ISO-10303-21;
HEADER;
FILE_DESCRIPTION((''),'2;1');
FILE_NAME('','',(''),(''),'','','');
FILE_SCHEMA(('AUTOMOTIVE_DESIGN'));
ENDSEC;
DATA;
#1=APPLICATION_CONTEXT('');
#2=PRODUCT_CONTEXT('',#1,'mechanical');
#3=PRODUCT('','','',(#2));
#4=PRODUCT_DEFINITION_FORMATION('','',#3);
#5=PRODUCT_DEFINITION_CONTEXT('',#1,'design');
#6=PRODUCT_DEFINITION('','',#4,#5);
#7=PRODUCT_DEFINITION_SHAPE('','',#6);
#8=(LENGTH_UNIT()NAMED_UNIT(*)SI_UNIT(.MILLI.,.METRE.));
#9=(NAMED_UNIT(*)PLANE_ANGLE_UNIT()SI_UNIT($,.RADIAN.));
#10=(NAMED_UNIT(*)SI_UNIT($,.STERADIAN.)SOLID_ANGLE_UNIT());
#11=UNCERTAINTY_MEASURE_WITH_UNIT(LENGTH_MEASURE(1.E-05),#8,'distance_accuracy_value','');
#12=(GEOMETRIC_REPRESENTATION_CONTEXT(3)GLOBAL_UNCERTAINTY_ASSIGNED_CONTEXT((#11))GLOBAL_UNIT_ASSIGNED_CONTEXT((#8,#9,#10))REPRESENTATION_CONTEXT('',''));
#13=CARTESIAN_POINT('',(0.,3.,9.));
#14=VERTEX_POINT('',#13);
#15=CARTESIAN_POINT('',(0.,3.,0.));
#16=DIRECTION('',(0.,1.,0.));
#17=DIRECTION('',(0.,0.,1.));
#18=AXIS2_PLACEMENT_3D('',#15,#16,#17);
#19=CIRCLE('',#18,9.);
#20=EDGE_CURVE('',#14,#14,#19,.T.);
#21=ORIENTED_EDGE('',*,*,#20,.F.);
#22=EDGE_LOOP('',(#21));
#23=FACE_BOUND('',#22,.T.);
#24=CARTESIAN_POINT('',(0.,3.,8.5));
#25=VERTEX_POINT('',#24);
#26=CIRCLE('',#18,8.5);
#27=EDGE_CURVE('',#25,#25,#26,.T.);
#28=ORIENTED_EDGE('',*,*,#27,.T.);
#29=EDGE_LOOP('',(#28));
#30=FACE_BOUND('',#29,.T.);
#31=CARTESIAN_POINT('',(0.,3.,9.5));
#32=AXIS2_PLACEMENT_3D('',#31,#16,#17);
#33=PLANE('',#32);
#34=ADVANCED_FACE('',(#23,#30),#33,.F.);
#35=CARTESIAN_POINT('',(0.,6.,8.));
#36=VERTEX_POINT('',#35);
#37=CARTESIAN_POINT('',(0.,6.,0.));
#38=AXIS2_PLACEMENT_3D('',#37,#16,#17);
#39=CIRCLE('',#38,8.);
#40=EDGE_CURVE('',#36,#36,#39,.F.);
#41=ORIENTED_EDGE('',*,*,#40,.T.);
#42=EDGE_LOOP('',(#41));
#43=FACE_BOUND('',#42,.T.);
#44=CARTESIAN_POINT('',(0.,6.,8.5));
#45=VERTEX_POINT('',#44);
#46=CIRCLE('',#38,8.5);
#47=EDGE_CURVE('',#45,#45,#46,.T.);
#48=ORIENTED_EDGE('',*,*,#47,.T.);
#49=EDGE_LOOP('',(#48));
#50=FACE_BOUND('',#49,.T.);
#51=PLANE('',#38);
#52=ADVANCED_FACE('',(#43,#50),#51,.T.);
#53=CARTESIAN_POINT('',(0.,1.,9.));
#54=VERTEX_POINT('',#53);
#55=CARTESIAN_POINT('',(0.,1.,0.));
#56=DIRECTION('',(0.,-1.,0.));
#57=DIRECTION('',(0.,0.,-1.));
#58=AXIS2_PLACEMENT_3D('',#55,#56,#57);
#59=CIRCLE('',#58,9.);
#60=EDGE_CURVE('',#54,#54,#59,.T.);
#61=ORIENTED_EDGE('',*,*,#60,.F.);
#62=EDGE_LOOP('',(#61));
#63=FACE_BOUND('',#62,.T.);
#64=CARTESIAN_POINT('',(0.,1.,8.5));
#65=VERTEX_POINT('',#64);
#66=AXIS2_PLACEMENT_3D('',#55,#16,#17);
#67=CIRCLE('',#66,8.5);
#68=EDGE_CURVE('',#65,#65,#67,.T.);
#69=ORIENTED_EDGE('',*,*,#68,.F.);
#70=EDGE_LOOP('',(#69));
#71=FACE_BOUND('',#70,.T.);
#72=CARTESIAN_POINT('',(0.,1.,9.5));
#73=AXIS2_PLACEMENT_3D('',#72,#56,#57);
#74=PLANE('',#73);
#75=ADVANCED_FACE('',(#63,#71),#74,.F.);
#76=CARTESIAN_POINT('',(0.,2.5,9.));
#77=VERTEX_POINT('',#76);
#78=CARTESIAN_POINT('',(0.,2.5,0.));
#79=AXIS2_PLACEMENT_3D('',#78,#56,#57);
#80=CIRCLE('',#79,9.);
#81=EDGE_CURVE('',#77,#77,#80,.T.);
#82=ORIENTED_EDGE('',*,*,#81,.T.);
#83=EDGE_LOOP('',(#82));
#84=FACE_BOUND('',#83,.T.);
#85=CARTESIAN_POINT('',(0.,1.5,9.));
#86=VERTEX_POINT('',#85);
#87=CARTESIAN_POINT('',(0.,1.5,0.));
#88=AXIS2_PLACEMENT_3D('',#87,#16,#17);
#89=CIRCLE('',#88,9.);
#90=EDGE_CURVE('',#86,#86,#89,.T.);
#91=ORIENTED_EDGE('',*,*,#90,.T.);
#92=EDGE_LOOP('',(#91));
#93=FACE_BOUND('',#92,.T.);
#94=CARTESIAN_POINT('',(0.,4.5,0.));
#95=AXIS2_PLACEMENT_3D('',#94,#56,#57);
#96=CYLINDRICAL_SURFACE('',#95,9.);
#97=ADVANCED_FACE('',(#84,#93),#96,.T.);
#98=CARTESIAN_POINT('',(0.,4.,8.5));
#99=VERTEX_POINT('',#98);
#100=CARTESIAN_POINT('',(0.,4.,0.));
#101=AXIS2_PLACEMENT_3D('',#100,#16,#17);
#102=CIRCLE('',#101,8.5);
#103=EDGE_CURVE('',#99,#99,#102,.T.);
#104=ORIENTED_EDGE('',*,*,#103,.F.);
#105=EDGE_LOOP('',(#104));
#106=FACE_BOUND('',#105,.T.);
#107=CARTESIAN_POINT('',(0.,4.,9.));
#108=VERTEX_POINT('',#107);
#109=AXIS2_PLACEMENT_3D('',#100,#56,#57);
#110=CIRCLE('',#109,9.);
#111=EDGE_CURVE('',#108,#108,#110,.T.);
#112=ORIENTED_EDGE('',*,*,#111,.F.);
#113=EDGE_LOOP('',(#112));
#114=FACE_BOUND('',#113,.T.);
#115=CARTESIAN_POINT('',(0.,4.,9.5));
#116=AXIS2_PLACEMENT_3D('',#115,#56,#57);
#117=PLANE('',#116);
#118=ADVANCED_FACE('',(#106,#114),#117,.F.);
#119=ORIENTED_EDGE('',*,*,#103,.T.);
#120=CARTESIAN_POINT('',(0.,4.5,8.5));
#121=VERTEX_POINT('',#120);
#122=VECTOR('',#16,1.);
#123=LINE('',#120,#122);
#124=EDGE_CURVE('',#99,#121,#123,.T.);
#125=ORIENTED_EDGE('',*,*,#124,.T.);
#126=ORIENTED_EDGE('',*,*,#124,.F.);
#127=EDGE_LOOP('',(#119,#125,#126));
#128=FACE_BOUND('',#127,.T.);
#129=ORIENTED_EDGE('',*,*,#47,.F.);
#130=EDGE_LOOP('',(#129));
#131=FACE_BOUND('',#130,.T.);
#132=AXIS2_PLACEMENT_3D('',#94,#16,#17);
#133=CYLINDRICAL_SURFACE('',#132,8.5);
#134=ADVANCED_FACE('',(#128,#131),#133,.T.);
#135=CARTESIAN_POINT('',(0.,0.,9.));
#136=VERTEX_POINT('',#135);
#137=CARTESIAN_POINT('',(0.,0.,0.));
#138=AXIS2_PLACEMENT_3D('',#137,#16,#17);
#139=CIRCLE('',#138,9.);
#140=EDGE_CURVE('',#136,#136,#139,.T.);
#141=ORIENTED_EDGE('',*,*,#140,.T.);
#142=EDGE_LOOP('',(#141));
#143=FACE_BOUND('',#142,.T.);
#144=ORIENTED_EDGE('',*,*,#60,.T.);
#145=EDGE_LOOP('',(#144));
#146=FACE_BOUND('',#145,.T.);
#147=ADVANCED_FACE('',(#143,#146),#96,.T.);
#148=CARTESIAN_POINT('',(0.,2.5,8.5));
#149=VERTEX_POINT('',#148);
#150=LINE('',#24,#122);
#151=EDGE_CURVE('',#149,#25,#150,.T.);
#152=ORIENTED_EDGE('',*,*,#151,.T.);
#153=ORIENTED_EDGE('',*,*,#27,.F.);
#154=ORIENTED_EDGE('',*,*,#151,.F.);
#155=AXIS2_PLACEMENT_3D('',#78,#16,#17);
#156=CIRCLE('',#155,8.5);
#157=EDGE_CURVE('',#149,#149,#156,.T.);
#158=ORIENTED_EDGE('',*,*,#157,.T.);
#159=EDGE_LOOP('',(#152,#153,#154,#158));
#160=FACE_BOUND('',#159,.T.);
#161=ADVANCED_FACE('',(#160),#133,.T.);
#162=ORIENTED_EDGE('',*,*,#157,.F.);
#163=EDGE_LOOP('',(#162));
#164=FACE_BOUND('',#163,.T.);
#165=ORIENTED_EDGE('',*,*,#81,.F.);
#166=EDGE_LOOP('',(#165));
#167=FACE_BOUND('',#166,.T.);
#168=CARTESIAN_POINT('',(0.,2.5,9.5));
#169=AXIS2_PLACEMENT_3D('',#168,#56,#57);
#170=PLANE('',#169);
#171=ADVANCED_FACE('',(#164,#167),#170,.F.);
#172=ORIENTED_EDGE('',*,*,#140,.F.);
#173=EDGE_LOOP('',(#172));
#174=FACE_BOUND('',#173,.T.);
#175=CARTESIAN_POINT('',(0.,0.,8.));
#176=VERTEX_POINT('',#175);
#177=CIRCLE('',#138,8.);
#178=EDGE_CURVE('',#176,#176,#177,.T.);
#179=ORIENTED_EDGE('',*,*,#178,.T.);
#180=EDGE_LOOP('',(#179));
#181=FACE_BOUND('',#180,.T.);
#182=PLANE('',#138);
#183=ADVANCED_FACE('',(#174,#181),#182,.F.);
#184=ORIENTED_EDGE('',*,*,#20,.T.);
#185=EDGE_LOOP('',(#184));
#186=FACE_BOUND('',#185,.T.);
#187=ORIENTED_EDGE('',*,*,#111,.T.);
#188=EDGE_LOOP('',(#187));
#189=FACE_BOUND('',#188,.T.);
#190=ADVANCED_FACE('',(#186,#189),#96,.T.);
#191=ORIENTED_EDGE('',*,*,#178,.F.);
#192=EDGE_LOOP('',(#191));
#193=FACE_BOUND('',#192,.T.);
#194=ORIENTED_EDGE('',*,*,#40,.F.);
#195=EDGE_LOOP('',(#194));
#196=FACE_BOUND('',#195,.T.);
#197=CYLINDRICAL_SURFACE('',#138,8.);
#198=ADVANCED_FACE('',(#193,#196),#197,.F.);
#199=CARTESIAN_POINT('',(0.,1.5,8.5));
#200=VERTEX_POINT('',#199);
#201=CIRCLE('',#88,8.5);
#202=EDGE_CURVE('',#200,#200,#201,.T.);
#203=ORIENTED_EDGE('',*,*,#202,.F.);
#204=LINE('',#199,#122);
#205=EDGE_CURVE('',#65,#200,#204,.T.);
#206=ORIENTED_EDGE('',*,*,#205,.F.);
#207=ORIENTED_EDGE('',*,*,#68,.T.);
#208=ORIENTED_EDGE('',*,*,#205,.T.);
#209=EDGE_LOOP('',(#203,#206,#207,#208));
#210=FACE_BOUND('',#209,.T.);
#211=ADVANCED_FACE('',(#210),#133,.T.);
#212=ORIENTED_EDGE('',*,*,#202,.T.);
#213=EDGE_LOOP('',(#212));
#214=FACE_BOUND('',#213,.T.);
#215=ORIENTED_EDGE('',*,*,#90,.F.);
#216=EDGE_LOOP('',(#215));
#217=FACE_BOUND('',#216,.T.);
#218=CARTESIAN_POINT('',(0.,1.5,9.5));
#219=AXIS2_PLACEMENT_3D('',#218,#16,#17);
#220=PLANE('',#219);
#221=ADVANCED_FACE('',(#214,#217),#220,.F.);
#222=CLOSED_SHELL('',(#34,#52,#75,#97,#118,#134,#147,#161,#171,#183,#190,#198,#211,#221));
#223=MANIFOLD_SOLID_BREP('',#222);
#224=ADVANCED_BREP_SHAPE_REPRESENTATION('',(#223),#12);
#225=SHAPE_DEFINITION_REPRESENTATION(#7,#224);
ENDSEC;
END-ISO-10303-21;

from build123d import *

# Parameters (mm, degrees)
SKETCH_1_R          = 9
EXTRUDE_1_DEPTH     = 4.5
SKETCH_2_W          = 1
SKETCH_2_H          = 0.5
SKETCH_4_R          = 8
CUT_EXTRUDE_1_DEPTH = 4.5
EXTRUDE_START       = 1.5
SKETCH_6_R          = 8.5
SKETCH_6_R_2        = 8
EXTRUDE_3_DEPTH     = 1.5


with BuildPart() as part:
    # 草图1 → 凸台-拉伸1 (new body)
    with BuildSketch(Plane(origin=(0, 0, 0), x_dir=(1, 0, 0), z_dir=(0, 1, 0))):
        with Locations(Location((0, 0, 0), (0, 0, 270))):
            Circle(SKETCH_1_R)
    extrude(amount=EXTRUDE_1_DEPTH)

    # 切除-扫描1: sweep along a path in 草图3
    with BuildLine(Plane(origin=(0, 4.5, 0), x_dir=(1, 0, 0), z_dir=(0, 1, 0))) as sweep_1_path:
        CenterArc((0, 0), 9, 0, 360)
    # 草图2 → 切除-扫描1 (sweep, cut)
    with BuildSketch(Plane(origin=(0, 0, 0), x_dir=(0, 0, -1), z_dir=(1, 0, 0))):
        with Locations((-9, 4.25)):
            Rectangle(SKETCH_2_W, SKETCH_2_H)
        with Locations((-9, 2.75)):
            Rectangle(SKETCH_2_W, SKETCH_2_H)
        with Locations((-9, 1.25)):
            Rectangle(SKETCH_2_W, SKETCH_2_H)
    sweep(path=sweep_1_path.line, mode=Mode.SUBTRACT)

    # 草图4 → 切除-拉伸1 (cut)
    with BuildSketch(Plane(origin=(0, 4.5, 0), x_dir=(1, 0, 0), z_dir=(0, 1, 0))):
        with Locations(Location((0, 0, 0), (0, 0, 270))):
            Circle(SKETCH_4_R)
    extrude(amount=-CUT_EXTRUDE_1_DEPTH, mode=Mode.SUBTRACT)

    # 草图6 → 凸台-拉伸3 (add)
    with BuildSketch(Plane(origin=(0, 4.5, 0), x_dir=(1, 0, 0), z_dir=(0, 1, 0)).offset(EXTRUDE_START)):
        with Locations(Location((0, 0, 0), (0, 0, 270))):
            Circle(SKETCH_6_R)
        with Locations(Location((0, 0, 0), (0, 0, 270))):
            Circle(SKETCH_6_R_2, mode=Mode.SUBTRACT)
    extrude(amount=-EXTRUDE_3_DEPTH)


solid = part.part
